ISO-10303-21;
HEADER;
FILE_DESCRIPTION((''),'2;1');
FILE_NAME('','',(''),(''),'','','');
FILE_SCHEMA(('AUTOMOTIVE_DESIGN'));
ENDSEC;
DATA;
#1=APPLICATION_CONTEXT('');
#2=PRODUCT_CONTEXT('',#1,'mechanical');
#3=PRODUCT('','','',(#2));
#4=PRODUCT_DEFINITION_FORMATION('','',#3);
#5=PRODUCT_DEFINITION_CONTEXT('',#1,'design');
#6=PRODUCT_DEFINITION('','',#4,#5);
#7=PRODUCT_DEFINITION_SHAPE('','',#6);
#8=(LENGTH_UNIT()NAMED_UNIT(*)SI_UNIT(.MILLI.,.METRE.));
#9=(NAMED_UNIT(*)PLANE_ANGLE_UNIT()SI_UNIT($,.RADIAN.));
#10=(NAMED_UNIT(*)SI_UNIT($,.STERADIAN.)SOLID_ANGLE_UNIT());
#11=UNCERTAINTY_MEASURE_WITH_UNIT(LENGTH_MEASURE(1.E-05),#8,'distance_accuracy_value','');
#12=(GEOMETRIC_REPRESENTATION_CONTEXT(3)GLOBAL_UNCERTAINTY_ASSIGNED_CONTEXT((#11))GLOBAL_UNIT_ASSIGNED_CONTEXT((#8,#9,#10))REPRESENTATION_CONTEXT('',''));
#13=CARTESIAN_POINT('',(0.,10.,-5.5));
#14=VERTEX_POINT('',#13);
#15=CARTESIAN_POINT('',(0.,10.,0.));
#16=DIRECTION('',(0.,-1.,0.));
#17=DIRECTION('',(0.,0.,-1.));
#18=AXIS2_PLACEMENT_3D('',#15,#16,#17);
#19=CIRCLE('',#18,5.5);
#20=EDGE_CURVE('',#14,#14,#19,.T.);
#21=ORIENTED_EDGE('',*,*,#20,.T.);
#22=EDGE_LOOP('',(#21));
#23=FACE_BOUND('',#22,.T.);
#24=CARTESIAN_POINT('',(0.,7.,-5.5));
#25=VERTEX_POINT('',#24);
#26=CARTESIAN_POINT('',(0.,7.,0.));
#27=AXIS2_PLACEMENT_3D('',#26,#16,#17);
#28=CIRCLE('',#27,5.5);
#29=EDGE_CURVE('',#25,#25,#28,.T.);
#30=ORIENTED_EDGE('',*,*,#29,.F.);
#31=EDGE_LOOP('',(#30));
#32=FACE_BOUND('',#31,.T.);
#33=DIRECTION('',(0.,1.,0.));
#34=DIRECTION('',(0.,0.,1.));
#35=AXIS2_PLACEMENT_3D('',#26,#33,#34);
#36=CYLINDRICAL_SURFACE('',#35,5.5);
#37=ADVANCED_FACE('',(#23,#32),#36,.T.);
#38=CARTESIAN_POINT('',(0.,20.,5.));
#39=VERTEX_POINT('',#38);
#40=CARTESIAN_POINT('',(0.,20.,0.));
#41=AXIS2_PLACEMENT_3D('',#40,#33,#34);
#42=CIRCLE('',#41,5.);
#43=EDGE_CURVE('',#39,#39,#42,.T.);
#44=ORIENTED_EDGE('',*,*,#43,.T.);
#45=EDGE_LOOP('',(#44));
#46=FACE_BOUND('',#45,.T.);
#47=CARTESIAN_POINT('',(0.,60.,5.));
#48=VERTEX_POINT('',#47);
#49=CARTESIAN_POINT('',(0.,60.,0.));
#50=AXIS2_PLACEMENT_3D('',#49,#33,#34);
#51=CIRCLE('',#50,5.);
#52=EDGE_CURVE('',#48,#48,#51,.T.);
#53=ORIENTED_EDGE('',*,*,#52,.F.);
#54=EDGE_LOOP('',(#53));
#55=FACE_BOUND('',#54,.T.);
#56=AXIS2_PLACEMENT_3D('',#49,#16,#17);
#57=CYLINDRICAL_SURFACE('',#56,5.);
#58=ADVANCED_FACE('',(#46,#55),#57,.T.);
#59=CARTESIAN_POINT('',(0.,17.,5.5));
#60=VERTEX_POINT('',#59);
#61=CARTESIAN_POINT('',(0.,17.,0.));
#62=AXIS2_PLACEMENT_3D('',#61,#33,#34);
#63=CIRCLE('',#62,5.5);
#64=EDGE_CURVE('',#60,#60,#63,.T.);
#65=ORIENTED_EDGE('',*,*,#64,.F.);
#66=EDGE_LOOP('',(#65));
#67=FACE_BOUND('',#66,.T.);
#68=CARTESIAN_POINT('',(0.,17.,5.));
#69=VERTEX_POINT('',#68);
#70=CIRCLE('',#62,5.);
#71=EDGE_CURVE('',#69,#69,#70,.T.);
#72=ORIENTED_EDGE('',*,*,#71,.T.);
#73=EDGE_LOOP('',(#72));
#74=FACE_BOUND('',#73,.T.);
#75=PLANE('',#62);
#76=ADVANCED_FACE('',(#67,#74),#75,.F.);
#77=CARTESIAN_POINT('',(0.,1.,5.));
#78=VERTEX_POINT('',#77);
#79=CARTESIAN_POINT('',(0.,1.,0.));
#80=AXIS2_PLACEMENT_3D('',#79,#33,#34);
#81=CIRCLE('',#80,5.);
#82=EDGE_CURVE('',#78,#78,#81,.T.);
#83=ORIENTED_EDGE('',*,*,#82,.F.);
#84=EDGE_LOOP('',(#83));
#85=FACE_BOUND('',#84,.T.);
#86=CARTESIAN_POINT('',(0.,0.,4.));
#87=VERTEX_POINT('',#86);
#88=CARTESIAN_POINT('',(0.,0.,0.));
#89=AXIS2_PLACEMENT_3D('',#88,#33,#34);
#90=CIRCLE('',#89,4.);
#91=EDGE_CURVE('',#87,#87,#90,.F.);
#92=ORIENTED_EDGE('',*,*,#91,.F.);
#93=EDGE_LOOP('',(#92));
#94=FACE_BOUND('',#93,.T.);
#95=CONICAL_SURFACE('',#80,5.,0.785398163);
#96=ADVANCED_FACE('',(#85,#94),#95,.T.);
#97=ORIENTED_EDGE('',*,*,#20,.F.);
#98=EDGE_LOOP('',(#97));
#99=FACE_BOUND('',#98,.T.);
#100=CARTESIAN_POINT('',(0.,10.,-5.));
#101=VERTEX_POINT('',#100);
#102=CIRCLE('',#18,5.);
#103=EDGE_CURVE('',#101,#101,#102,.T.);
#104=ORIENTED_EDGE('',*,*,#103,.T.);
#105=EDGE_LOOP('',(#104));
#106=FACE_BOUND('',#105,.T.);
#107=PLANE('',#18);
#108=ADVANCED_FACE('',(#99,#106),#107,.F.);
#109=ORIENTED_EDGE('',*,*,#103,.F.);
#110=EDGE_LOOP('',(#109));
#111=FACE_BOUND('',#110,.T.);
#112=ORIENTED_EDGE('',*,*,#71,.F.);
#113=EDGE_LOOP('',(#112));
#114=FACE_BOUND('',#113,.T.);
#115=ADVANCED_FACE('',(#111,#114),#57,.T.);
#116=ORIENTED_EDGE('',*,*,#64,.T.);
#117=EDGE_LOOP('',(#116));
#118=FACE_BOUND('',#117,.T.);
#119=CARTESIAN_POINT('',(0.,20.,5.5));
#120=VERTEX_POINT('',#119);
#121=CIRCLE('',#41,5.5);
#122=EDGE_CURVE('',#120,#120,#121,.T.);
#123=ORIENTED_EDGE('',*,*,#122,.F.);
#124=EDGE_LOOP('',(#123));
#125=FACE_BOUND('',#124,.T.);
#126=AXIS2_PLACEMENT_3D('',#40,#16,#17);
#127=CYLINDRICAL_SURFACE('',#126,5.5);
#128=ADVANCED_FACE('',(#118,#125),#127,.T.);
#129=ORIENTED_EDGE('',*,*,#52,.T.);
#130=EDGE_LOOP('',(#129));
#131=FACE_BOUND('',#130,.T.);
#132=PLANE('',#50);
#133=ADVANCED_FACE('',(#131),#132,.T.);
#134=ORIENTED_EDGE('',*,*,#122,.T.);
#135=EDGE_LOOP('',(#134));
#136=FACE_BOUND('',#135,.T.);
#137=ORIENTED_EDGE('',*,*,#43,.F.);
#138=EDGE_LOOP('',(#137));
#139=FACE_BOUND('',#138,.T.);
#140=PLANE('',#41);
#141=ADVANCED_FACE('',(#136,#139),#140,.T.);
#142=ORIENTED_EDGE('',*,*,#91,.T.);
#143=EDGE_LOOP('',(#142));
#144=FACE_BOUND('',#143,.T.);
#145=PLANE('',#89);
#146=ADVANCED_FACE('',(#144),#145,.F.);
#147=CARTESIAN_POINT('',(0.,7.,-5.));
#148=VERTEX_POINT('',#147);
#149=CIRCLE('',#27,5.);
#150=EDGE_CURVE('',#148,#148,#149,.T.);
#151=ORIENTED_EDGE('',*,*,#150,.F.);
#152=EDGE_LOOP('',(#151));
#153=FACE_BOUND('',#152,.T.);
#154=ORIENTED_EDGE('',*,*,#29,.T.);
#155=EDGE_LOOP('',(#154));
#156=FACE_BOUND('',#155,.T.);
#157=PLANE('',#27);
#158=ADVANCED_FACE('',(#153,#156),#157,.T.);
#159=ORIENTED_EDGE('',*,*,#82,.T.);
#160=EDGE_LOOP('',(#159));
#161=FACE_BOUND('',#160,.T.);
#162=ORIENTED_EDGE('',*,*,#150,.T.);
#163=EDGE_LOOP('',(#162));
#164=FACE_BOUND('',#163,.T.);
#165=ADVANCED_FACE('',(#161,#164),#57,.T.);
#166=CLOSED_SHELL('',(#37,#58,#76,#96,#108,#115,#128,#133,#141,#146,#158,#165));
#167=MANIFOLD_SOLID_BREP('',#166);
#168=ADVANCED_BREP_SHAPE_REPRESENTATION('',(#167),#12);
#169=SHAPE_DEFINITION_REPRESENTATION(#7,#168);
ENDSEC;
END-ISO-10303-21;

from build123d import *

# Parameters (mm, degrees)
SKETCH1_R           = 5
BOSS_EXTRUDE1_DEPTH = 60
BOSS_EXTRUDE2_START = -43
SKETCH2_R           = 5.5
BOSS_EXTRUDE2_DEPTH = 3
CHAMFER1_SIZE       = 1
BOSS_EXTRUDE3_START = -7
SKETCH3_R           = 5.5
BOSS_EXTRUDE3_DEPTH = 3


with BuildPart() as part:
    # Sketch1 → Boss-Extrude1 (new body)
    with BuildSketch(Plane(origin=(0, 0, 0), x_dir=(1, 0, 0), z_dir=(0, 1, 0))):
        with Locations(Location((0, 0, 0), (0, 0, 270))):
            Circle(SKETCH1_R)
    extrude(amount=BOSS_EXTRUDE1_DEPTH)

    # Sketch2 → Boss-Extrude2 (add)
    with BuildSketch(Plane(origin=(0, 60, 0), x_dir=(1, 0, 0), z_dir=(0, 1, 0)).offset(BOSS_EXTRUDE2_START)):
        with Locations(Location((0, 0, 0), (0, 0, 270))):
            Circle(SKETCH2_R)
    extrude(amount=BOSS_EXTRUDE2_DEPTH)

    # Chamfer1
    chamfer1_edges = [part.edges().sort_by_distance(p)[0] for p in [
        (0, 0, -5),
    ]]
    chamfer(chamfer1_edges, length=CHAMFER1_SIZE)

    # Sketch3 → Boss-Extrude3 (add)
    with BuildSketch(Plane.XZ.offset(BOSS_EXTRUDE3_START)):
        with Locations(Location((0, 0, 0), (0, 0, 90))):
            Circle(SKETCH3_R)
    extrude(amount=-BOSS_EXTRUDE3_DEPTH)


solid = part.part
